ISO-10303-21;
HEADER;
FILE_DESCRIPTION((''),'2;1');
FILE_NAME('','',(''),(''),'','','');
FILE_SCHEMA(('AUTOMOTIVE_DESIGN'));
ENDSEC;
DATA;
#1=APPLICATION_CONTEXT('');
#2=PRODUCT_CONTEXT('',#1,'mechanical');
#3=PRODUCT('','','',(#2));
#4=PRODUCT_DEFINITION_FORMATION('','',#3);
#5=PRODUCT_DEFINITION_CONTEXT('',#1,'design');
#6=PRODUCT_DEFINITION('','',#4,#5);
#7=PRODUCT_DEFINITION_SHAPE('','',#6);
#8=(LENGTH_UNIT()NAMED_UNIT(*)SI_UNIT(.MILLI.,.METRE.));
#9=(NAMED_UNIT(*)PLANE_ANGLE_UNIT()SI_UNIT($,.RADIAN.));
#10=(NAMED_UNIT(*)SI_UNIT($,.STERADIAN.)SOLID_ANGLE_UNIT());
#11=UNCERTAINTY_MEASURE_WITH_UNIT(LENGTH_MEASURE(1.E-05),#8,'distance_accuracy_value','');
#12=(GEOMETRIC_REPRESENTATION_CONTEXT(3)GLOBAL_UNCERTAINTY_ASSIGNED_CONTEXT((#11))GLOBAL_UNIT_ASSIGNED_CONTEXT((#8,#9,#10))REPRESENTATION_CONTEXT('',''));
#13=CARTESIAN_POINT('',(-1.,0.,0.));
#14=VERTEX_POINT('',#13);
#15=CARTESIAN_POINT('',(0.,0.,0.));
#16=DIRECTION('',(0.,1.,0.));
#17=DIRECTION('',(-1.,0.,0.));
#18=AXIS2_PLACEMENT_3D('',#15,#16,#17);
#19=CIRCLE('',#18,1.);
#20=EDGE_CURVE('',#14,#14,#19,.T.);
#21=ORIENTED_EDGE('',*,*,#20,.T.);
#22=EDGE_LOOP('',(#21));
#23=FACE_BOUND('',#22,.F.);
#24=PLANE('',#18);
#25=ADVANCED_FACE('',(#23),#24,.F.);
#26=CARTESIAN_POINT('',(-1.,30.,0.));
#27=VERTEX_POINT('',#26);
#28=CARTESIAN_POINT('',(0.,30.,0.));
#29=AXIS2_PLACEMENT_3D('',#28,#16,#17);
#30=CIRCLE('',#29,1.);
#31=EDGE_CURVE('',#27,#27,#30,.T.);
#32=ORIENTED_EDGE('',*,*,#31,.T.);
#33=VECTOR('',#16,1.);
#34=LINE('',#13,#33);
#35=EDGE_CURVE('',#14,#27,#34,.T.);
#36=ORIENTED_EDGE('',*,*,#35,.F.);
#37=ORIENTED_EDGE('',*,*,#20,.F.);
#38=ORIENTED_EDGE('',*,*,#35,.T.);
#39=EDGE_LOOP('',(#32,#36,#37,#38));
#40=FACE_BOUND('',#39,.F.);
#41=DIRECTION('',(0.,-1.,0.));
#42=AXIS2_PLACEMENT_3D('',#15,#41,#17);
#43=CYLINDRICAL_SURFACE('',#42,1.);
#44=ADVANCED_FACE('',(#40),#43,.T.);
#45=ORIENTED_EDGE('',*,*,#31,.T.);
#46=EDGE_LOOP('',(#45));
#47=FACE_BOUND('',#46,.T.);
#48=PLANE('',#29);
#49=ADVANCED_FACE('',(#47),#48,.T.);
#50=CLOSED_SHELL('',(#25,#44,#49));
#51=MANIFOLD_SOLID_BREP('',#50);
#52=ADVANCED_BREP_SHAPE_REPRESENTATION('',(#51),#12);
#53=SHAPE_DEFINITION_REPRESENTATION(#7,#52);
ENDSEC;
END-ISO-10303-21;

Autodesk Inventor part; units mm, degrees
ref_plane "YZ Plane" through (0, 0, 0) normal (1, 0, 0) x (0, 1, 0)
ref_plane "XZ Plane" through (0, 0, 0) normal (0, 1, 0) x (-1, 0, 0)
ref_plane "XY Plane" through (0, 0, 0) normal (0, 0, 1) x (1, 0, 0)
sketch "Sketch1" plane through (0, 0, 0) normal (0, 1, 0) x (-1, 0, 0)
  circle A0 centre (0, 0) radius 1
  dimension "d0" = 2
extrude "Extrusion1" add sketch "Sketch1" along normal blind 30
properties part number "5P.00.21.01-IB-VTP-Servo-Rear-Retaining-Rod"
